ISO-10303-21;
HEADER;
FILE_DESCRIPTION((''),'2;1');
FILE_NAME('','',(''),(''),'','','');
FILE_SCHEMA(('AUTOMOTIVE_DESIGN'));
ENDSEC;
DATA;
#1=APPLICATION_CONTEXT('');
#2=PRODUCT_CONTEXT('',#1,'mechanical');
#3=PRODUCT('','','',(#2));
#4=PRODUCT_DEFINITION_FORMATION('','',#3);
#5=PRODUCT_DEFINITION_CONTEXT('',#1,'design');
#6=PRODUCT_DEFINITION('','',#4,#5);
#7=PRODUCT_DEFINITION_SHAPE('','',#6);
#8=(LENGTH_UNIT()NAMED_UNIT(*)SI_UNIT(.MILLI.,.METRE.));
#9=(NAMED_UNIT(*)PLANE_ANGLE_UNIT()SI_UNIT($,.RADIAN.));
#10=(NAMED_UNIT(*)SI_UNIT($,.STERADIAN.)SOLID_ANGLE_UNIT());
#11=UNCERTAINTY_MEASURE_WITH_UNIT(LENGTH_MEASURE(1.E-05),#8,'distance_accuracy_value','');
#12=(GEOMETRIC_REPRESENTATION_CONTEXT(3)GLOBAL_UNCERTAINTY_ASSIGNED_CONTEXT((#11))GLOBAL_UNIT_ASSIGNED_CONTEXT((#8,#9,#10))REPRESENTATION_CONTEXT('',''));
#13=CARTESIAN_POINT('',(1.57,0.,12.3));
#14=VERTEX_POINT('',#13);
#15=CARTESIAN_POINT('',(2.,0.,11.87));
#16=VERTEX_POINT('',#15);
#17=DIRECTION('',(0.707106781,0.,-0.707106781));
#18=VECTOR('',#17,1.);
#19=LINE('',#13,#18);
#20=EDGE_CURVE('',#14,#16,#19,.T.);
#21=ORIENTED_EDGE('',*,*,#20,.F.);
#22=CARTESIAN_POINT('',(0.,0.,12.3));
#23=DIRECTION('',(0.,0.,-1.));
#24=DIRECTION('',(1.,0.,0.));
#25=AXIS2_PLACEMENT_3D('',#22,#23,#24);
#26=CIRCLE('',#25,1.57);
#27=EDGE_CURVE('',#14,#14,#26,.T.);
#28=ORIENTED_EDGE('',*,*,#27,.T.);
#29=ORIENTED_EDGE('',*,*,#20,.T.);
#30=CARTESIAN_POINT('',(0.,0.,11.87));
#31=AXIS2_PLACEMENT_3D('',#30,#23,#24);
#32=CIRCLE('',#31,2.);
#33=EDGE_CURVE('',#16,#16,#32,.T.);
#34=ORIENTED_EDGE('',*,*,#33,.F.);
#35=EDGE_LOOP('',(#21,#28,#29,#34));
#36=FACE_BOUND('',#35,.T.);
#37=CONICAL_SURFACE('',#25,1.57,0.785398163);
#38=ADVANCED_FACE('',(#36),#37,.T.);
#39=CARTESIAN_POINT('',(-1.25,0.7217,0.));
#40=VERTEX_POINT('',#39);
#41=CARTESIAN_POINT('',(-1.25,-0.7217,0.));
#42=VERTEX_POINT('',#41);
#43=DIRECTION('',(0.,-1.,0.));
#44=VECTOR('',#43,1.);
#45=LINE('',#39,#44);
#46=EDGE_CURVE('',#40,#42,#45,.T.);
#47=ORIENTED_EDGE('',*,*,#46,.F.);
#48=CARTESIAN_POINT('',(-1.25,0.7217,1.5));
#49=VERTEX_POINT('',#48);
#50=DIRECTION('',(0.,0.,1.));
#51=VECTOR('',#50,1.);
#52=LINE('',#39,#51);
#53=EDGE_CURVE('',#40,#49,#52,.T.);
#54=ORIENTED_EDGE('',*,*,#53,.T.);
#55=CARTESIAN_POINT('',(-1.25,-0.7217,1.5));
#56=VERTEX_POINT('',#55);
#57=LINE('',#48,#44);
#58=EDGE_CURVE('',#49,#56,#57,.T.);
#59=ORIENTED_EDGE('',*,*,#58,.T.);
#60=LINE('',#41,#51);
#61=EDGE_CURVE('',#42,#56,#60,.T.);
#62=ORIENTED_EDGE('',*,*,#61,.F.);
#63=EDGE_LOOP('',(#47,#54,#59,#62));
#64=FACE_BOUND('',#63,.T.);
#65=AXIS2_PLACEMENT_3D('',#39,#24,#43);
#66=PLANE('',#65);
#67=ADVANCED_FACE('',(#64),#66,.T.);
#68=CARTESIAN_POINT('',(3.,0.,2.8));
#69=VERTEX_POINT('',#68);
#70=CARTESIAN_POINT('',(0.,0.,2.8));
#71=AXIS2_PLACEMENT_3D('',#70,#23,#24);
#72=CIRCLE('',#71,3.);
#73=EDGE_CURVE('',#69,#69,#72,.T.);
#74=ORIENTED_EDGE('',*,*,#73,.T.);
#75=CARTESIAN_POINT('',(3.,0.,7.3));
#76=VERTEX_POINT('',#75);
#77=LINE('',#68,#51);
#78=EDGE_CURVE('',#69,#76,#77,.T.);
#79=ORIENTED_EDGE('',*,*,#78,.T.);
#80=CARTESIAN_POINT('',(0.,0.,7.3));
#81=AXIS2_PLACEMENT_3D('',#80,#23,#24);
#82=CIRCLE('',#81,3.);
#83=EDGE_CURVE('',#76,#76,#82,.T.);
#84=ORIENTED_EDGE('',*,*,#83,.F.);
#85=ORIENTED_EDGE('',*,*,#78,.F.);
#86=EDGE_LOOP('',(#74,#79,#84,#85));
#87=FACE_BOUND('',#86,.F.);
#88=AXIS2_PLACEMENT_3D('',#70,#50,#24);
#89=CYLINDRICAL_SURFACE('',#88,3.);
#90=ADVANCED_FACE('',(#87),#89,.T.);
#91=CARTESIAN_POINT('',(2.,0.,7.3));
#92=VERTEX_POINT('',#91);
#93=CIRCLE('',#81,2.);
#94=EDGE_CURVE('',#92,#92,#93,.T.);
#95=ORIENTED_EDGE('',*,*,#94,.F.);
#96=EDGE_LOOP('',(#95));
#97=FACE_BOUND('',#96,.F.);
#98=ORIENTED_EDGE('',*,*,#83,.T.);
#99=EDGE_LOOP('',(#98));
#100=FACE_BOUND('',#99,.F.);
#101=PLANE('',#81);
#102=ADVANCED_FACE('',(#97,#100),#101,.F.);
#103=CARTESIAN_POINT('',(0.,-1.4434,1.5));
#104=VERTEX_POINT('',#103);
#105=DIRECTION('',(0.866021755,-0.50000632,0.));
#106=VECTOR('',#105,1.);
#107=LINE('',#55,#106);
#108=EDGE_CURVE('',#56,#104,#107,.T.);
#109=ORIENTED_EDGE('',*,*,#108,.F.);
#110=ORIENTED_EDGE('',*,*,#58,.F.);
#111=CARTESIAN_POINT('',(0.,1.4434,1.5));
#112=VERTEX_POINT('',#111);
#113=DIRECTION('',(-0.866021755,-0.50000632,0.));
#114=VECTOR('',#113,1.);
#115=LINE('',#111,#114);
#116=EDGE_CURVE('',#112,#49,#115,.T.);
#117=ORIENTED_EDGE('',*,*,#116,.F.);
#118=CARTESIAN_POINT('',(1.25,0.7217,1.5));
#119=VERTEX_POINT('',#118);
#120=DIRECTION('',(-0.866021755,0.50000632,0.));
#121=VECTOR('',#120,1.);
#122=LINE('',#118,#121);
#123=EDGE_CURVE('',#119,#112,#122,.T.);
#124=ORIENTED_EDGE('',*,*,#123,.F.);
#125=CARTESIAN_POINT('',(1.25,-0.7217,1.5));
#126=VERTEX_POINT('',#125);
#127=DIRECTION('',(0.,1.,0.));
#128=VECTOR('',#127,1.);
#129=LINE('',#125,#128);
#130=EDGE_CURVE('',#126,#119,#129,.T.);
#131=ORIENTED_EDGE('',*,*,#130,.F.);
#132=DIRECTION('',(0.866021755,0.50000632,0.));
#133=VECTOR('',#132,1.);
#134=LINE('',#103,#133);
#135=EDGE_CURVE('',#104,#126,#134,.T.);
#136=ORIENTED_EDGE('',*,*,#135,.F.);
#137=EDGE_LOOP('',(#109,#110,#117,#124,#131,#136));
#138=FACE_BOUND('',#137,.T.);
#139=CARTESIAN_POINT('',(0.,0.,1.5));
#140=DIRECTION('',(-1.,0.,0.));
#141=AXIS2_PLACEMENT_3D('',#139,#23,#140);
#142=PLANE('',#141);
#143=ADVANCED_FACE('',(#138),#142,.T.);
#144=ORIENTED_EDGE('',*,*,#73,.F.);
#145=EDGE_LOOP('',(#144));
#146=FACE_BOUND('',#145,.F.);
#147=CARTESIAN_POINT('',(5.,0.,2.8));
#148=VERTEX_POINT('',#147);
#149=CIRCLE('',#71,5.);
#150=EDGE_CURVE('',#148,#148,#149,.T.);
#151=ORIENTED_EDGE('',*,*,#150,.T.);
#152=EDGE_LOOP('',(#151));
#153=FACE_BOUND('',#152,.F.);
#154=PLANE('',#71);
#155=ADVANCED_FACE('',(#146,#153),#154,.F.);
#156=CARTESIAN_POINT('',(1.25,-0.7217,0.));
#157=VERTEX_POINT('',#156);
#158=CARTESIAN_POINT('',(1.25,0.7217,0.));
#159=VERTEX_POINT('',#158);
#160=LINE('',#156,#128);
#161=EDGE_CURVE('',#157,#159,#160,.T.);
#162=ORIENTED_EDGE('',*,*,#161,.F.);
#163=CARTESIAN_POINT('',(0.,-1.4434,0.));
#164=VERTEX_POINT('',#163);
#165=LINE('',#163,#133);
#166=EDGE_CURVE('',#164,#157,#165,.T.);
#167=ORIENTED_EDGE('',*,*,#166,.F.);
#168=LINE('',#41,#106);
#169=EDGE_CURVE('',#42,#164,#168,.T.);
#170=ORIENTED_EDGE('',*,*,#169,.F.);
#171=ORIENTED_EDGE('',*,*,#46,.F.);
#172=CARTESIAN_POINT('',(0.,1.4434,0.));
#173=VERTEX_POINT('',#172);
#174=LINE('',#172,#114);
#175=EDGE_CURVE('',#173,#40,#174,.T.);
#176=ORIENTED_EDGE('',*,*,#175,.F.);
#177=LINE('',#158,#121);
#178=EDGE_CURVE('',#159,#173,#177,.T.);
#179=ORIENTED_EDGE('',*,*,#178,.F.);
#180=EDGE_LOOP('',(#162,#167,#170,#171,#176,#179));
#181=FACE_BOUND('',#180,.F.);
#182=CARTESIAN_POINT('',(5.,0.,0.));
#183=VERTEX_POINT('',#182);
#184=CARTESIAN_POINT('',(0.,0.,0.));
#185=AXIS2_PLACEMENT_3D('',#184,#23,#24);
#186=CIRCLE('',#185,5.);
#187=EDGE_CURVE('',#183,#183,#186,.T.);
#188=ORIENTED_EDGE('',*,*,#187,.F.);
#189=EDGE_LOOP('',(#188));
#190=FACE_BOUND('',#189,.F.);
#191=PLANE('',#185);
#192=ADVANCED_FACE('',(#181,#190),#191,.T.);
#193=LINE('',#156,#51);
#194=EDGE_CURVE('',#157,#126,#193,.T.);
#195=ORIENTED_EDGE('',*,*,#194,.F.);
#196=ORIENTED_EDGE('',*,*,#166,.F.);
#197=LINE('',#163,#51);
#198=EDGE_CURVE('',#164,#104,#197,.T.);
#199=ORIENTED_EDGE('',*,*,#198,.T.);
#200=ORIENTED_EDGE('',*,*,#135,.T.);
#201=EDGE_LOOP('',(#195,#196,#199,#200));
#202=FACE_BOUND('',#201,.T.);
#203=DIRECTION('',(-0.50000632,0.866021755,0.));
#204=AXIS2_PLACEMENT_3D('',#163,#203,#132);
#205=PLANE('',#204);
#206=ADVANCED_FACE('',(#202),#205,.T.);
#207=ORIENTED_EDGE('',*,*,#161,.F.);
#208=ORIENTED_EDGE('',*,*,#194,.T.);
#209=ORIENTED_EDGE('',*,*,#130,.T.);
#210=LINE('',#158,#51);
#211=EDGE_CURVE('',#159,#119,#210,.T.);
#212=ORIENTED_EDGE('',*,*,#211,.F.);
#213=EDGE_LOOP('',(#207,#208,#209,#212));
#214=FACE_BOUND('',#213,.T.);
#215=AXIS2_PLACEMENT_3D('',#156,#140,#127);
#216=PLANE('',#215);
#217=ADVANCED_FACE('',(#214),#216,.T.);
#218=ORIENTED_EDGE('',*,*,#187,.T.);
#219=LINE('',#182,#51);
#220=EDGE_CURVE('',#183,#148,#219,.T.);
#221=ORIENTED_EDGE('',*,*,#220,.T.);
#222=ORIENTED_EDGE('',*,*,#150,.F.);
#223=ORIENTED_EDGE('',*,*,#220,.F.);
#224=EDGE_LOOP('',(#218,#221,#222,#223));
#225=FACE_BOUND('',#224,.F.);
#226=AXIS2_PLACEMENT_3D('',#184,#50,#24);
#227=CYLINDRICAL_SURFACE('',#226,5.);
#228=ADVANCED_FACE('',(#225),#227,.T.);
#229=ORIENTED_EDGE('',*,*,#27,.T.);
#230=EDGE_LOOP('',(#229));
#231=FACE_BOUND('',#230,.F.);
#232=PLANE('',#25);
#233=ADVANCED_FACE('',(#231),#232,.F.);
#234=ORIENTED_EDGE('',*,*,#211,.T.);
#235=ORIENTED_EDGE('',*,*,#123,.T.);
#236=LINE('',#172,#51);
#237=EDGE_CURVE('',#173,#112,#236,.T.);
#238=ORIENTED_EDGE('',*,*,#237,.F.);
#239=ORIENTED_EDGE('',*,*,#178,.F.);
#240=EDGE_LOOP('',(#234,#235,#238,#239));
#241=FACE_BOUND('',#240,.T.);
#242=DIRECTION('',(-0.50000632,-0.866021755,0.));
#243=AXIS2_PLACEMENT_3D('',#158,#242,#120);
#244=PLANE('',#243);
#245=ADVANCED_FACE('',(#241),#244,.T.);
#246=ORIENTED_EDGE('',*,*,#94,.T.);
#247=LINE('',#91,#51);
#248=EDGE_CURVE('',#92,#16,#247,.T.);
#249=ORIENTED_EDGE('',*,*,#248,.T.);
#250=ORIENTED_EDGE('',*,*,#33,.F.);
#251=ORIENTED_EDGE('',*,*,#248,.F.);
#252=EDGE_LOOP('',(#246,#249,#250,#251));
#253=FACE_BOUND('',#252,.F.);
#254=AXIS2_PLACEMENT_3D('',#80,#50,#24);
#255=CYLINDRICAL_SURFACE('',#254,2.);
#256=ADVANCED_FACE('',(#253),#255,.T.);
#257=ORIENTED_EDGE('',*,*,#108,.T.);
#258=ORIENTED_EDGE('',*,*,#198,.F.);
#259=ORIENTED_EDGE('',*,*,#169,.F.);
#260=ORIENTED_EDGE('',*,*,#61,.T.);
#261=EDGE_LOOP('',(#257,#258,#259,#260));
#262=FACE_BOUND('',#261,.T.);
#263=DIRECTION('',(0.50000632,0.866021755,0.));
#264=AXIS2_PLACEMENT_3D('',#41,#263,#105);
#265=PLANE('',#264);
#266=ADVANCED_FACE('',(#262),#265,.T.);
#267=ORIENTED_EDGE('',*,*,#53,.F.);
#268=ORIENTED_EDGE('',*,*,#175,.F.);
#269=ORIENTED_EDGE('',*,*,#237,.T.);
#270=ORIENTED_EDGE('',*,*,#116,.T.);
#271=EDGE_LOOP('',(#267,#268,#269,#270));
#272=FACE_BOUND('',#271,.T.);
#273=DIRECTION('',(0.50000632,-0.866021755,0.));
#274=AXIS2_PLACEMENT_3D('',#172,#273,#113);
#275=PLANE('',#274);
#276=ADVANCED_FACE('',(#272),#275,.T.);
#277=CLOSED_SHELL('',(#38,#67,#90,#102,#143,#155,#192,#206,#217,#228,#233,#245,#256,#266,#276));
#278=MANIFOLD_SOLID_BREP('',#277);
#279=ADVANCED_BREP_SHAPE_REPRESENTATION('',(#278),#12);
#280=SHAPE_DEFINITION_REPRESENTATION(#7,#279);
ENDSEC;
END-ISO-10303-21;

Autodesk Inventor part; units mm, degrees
ref_plane "YZ Plane" through (0, 0, 0) normal (1, 0, 0) x (0, 1, 0)
ref_plane "XZ Plane" through (0, 0, 0) normal (0, 1, 0) x (-1, 0, 0)
ref_plane "XY Plane" through (0, 0, 0) normal (0, 0, 1) x (1, 0, 0)
sketch "スケッチ1" plane through (0, 0, 0) normal (0, 1, 0) x (-1, 0, 0)
  line L0 (0, 0) -> (-5, 0)
  line L1 (-5, 0) -> (-5, 2.8)
  line L2 (-5, 2.8) -> (-3, 2.8)
  line L3 (-3, 2.8) -> (-3, 7.3)
  line L4 (-3, 7.3) -> (-2, 7.3)
  line L5 (-2, 7.3) -> (-2, 11.87)
  line L6 (-1.57, 12.3) -> (0, 12.3)
  line L7 (0, 12.3) -> (0, 0)
  line L8 (-1.57, 12.3) -> (-2, 11.87)
  point P0 (-2, 12.3)
  dimension "d0" = 5
  dimension "d1" = 4.5
  dimension "d2" = 2.8
  dimension "d3" = 0.43
  dimension "d4" = 0.43
  dimension "d5" = 4
  dimension "d6" = 10
  dimension "d7" = 6
revolve "回転1" add sketch "スケッチ1" angle 360 about axis through (0, 0, 12.3) along (0, 0, -1)
thread "ねじ1" size "M4x0.7" class "6g" standard "ANSI Metric M Profile" length 7.57 offset 1.2
sketch "スケッチ2" plane through (0, 0, 0) normal (0, 0, -1) x (-1, 0, 0)
  line L0 (0, -1.4434) -> (-1.25, -0.7217)
  line L1 (-1.25, -0.7217) -> (-1.25, 0.7217)
  line L2 (-1.25, 0.7217) -> (0, 1.4434)
  line L3 (0, 1.4434) -> (1.25, 0.7217)
  line L4 (1.25, 0.7217) -> (1.25, -0.7217)
  line L5 (1.25, -0.7217) -> (0, -1.4434)
  point P0 (0, 0)
  point P1 (0, 0)
  dimension "d11" = 2.5
extrude "押し出し1" cut sketch "スケッチ2" against normal blind 1.5
equation "\"d4\" = d3"
properties part number "DBTS4-4.5-5-LTC" material "ステンレス鋼 AISI 304"
